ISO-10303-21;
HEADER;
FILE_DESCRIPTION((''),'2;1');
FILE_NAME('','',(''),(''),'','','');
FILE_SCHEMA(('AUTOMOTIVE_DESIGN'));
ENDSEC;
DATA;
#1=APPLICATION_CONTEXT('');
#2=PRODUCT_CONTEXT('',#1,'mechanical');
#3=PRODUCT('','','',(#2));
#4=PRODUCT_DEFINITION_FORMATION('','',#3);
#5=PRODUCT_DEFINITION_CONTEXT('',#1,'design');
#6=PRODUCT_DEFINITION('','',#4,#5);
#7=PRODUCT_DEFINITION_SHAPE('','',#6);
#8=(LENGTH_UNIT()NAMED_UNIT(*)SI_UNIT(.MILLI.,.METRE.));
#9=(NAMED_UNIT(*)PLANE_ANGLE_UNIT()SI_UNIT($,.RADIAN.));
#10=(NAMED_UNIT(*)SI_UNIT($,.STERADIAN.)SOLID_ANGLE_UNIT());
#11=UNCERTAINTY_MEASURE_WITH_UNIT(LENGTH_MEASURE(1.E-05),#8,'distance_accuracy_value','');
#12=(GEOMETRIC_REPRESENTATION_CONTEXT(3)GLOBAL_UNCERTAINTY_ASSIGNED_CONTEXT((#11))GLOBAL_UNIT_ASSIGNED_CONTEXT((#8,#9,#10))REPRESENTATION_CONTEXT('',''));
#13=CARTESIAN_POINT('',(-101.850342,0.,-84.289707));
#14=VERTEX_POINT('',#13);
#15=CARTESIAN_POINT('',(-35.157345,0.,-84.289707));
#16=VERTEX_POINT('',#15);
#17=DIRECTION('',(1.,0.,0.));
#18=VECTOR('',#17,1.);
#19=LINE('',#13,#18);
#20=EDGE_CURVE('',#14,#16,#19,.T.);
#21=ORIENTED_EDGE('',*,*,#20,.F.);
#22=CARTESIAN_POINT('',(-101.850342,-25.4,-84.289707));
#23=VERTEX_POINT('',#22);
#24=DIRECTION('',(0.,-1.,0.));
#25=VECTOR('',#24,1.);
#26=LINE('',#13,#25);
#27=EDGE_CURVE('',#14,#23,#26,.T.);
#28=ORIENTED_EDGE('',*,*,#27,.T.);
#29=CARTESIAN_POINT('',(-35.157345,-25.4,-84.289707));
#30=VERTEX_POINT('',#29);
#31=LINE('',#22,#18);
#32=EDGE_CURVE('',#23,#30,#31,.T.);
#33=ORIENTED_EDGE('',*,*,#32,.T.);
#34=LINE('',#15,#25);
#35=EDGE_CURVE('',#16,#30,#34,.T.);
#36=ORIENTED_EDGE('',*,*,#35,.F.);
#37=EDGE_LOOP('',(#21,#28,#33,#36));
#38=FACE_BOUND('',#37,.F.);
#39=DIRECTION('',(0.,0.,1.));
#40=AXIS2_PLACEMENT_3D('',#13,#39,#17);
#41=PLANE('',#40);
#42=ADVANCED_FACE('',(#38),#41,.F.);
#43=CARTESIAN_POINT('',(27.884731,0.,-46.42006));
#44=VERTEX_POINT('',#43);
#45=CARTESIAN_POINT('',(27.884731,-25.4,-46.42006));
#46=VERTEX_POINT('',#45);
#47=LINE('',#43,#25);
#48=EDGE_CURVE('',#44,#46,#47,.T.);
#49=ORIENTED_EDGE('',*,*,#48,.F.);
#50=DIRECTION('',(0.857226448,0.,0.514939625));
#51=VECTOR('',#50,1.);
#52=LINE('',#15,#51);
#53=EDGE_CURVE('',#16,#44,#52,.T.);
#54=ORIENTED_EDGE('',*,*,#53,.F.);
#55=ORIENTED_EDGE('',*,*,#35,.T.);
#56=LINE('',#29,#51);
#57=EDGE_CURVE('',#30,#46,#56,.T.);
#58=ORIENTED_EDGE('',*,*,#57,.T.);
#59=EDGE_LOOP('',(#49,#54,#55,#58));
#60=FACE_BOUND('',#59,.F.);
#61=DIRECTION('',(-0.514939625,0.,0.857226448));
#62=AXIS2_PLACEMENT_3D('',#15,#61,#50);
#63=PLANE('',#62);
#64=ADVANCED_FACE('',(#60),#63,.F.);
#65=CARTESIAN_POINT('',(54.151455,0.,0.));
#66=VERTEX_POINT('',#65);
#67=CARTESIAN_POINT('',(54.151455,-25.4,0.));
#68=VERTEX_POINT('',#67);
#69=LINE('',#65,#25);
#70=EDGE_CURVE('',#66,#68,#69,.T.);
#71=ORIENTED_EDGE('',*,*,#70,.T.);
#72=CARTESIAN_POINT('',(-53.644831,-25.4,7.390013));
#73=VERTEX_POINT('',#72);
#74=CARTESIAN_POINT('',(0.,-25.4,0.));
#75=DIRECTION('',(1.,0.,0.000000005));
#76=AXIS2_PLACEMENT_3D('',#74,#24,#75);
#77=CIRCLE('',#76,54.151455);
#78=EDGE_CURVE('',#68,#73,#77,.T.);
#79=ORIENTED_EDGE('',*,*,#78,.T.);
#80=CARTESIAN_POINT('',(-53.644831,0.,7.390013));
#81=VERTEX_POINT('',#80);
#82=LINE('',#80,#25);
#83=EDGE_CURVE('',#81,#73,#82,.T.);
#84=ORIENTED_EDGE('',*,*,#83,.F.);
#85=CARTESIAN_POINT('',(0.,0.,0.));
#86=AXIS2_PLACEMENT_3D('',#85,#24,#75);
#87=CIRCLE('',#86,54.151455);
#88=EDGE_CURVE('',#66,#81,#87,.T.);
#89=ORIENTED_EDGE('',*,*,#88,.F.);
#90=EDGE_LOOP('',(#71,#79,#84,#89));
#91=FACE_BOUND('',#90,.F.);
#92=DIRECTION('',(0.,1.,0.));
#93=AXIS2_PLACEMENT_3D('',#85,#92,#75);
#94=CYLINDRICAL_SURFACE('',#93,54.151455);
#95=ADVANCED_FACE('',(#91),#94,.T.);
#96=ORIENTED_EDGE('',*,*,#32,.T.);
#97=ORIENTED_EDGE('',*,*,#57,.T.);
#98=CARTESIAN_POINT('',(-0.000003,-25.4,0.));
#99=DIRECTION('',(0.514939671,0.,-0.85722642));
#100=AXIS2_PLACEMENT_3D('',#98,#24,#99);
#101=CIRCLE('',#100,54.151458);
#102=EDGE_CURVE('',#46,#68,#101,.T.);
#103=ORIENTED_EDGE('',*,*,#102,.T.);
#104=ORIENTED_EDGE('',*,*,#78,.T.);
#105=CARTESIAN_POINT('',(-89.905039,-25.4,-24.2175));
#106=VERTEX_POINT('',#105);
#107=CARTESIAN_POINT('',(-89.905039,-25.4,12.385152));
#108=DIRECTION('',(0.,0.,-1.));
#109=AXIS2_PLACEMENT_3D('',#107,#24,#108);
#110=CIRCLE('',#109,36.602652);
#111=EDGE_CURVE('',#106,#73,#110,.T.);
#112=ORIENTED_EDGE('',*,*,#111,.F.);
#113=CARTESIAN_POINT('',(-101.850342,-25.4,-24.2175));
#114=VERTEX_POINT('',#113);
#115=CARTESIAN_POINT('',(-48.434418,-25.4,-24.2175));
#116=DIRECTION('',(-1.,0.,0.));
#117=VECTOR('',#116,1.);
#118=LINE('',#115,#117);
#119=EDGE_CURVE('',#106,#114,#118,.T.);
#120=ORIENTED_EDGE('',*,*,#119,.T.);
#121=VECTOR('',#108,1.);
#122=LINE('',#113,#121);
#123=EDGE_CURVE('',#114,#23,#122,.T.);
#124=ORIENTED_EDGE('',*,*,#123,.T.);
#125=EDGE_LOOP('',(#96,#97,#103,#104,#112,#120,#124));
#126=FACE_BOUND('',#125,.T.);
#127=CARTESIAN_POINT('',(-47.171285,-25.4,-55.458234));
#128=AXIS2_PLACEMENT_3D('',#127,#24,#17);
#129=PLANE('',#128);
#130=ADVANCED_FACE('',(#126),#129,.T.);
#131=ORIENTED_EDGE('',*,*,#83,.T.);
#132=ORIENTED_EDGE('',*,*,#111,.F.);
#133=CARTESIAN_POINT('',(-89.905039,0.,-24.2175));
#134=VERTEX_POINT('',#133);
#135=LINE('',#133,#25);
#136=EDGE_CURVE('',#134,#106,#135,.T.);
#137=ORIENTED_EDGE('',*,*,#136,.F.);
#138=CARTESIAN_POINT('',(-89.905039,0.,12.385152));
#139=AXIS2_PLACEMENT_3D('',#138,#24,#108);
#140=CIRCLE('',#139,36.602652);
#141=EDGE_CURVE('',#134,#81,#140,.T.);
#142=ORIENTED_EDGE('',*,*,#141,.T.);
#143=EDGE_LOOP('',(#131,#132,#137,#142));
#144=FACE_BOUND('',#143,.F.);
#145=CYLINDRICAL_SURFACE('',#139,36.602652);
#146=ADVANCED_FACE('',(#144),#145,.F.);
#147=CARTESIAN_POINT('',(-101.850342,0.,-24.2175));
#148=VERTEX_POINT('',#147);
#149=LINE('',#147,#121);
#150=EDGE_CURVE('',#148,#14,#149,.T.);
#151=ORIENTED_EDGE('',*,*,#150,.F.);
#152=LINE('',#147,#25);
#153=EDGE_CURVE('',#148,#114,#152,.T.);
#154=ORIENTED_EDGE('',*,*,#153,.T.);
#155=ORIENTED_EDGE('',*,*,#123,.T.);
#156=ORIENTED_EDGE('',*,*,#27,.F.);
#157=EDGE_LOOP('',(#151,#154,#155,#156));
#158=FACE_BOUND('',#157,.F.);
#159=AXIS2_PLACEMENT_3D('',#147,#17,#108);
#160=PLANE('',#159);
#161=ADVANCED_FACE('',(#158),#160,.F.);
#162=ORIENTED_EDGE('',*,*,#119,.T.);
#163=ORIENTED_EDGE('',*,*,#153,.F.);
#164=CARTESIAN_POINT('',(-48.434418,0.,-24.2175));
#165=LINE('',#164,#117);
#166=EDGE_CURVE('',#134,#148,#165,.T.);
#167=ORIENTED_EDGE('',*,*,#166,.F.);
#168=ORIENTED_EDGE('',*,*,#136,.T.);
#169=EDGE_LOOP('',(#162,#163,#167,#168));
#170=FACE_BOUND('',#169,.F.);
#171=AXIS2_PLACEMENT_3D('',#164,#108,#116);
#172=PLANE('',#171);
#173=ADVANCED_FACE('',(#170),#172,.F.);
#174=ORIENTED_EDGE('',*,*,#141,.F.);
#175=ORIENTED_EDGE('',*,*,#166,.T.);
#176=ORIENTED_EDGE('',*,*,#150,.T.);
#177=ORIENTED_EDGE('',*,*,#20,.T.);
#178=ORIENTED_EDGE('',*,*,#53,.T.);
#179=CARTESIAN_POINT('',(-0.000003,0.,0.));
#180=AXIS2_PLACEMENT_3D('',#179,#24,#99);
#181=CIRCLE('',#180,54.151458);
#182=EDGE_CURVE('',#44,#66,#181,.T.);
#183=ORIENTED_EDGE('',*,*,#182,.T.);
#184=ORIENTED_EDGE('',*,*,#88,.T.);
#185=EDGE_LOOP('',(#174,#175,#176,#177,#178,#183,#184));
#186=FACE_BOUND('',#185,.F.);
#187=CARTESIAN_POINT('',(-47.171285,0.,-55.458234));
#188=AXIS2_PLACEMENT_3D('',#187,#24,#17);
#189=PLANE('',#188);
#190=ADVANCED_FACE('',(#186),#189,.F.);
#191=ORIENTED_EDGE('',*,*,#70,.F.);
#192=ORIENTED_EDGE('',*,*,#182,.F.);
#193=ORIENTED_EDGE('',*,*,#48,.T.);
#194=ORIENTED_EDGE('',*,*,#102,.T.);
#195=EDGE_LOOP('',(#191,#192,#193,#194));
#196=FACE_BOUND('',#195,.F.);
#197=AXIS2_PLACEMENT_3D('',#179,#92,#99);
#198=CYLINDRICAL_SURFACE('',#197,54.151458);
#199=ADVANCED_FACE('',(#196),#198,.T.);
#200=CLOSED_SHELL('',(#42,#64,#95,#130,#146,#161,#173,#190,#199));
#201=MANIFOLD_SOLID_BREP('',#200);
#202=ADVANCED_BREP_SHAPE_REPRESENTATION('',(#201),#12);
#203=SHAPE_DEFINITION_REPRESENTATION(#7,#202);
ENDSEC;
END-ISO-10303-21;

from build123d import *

# Parameters (mm, degrees)
F1_DEPTH = 25.4
F2_R     = 36.602652


with BuildPart() as f1:
    # F0 (on Front) → F1 (new body)
    with BuildSketch(Plane.XZ):
        with BuildLine():
            ThreePointArc((27.884731, -46.42006), (-15.126494, -51.995859), (-48.434418, -24.2175))
            Line((-48.434418, -24.2175), (-101.850342, -24.2175))
            Line((-101.850342, -24.2175), (-101.850342, -84.289707))
            Line((-101.850342, -84.289707), (-35.157345, -84.289707))
            Line((-35.157345, -84.289707), (27.884731, -46.42006))
        make_face()
        with BuildLine():
            ThreePointArc((27.884731, -46.42006), (47.129496, -26.668159), (54.151455, 0))
            ThreePointArc((54.151455, 0), (-12.441582, 52.702819), (-48.434418, -24.2175))
            ThreePointArc((-48.434418, -24.2175), (-15.126494, -51.995859), (27.884731, -46.42006))
        make_face()
    extrude(amount=F1_DEPTH)

    # F2
    f2_edges = [f1.edges().sort_by_distance(p)[0] for p in [
        (-48.434418, -12.7, -24.2175),
    ]]
    fillet(f2_edges, radius=F2_R)


solid = f1.part
